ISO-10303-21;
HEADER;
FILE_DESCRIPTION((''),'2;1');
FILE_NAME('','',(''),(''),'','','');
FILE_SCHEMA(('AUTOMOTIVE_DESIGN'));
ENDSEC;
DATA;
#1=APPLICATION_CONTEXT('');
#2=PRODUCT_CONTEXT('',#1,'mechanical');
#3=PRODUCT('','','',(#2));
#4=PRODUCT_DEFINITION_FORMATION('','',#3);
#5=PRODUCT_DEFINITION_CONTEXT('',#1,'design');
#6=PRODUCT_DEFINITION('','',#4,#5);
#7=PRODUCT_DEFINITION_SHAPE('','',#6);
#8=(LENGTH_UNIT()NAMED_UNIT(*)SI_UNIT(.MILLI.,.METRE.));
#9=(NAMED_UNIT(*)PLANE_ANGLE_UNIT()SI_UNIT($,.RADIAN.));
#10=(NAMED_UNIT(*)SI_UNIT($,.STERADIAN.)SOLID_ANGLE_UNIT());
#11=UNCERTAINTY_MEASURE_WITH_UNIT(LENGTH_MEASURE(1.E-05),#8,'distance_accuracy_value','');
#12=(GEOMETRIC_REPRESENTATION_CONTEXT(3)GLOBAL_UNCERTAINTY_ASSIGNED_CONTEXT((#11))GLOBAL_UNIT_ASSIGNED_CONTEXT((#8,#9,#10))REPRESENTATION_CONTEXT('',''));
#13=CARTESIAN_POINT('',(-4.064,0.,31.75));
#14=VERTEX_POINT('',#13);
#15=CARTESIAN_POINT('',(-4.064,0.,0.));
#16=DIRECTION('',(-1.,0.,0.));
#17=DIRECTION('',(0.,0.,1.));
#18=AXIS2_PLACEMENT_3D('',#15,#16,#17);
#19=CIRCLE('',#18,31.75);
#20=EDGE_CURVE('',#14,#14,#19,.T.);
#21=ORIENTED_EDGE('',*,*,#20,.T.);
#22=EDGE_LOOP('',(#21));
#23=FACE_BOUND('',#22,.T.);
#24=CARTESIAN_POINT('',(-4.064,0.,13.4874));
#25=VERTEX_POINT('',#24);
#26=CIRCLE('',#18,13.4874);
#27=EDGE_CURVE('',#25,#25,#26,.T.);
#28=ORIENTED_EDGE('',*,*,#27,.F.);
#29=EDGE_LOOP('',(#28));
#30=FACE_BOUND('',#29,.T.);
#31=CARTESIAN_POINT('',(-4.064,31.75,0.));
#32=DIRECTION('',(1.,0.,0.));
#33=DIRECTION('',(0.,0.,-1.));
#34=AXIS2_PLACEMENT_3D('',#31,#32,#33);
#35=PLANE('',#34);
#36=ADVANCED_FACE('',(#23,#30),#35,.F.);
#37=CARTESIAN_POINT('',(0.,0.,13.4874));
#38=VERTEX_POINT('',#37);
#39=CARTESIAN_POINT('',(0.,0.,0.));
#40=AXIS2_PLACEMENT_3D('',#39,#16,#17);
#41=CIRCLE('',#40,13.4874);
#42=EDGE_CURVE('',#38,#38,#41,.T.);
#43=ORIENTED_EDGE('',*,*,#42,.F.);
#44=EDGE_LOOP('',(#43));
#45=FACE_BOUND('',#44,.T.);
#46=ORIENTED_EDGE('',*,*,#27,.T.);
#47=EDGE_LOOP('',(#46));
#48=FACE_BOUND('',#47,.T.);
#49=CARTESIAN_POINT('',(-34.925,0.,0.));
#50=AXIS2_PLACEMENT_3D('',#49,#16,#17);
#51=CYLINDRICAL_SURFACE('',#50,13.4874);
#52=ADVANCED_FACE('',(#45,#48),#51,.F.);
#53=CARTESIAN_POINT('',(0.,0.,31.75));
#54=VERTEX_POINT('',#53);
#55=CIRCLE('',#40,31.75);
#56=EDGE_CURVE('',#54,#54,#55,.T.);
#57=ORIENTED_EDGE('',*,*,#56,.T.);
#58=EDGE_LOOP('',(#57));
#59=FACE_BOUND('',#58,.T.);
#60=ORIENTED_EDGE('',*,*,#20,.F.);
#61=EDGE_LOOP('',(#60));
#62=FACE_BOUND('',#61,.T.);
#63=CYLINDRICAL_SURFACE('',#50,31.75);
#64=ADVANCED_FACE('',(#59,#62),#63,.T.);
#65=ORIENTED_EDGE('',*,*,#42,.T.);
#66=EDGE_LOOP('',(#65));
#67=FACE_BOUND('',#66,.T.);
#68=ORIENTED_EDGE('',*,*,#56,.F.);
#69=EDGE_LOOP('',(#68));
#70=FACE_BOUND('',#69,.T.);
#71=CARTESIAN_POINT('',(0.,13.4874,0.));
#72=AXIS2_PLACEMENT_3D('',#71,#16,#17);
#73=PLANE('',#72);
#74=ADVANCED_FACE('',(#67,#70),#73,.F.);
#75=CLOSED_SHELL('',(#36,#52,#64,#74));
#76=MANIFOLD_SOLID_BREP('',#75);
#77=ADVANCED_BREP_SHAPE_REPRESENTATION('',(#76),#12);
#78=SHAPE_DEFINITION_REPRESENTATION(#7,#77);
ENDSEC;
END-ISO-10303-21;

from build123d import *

# Parameters (mm, degrees)
SKETCH1_W = 4.064
SKETCH1_H = 18.2626


with BuildPart() as part:
    # Sketch1 → Base-Revolve (revolve)
    with BuildSketch(Plane.XY, mode=Mode.PRIVATE) as base_revolve_sk:
        with Locations((-2.032, 22.6187)):
            Rectangle(SKETCH1_W, SKETCH1_H)
    revolve(base_revolve_sk.sketch.rotate(Axis((-34.925, 0, 0), (1, 0, 0)), 90), axis=Axis((-34.925, 0, 0), (1, 0, 0)))


solid = part.part
